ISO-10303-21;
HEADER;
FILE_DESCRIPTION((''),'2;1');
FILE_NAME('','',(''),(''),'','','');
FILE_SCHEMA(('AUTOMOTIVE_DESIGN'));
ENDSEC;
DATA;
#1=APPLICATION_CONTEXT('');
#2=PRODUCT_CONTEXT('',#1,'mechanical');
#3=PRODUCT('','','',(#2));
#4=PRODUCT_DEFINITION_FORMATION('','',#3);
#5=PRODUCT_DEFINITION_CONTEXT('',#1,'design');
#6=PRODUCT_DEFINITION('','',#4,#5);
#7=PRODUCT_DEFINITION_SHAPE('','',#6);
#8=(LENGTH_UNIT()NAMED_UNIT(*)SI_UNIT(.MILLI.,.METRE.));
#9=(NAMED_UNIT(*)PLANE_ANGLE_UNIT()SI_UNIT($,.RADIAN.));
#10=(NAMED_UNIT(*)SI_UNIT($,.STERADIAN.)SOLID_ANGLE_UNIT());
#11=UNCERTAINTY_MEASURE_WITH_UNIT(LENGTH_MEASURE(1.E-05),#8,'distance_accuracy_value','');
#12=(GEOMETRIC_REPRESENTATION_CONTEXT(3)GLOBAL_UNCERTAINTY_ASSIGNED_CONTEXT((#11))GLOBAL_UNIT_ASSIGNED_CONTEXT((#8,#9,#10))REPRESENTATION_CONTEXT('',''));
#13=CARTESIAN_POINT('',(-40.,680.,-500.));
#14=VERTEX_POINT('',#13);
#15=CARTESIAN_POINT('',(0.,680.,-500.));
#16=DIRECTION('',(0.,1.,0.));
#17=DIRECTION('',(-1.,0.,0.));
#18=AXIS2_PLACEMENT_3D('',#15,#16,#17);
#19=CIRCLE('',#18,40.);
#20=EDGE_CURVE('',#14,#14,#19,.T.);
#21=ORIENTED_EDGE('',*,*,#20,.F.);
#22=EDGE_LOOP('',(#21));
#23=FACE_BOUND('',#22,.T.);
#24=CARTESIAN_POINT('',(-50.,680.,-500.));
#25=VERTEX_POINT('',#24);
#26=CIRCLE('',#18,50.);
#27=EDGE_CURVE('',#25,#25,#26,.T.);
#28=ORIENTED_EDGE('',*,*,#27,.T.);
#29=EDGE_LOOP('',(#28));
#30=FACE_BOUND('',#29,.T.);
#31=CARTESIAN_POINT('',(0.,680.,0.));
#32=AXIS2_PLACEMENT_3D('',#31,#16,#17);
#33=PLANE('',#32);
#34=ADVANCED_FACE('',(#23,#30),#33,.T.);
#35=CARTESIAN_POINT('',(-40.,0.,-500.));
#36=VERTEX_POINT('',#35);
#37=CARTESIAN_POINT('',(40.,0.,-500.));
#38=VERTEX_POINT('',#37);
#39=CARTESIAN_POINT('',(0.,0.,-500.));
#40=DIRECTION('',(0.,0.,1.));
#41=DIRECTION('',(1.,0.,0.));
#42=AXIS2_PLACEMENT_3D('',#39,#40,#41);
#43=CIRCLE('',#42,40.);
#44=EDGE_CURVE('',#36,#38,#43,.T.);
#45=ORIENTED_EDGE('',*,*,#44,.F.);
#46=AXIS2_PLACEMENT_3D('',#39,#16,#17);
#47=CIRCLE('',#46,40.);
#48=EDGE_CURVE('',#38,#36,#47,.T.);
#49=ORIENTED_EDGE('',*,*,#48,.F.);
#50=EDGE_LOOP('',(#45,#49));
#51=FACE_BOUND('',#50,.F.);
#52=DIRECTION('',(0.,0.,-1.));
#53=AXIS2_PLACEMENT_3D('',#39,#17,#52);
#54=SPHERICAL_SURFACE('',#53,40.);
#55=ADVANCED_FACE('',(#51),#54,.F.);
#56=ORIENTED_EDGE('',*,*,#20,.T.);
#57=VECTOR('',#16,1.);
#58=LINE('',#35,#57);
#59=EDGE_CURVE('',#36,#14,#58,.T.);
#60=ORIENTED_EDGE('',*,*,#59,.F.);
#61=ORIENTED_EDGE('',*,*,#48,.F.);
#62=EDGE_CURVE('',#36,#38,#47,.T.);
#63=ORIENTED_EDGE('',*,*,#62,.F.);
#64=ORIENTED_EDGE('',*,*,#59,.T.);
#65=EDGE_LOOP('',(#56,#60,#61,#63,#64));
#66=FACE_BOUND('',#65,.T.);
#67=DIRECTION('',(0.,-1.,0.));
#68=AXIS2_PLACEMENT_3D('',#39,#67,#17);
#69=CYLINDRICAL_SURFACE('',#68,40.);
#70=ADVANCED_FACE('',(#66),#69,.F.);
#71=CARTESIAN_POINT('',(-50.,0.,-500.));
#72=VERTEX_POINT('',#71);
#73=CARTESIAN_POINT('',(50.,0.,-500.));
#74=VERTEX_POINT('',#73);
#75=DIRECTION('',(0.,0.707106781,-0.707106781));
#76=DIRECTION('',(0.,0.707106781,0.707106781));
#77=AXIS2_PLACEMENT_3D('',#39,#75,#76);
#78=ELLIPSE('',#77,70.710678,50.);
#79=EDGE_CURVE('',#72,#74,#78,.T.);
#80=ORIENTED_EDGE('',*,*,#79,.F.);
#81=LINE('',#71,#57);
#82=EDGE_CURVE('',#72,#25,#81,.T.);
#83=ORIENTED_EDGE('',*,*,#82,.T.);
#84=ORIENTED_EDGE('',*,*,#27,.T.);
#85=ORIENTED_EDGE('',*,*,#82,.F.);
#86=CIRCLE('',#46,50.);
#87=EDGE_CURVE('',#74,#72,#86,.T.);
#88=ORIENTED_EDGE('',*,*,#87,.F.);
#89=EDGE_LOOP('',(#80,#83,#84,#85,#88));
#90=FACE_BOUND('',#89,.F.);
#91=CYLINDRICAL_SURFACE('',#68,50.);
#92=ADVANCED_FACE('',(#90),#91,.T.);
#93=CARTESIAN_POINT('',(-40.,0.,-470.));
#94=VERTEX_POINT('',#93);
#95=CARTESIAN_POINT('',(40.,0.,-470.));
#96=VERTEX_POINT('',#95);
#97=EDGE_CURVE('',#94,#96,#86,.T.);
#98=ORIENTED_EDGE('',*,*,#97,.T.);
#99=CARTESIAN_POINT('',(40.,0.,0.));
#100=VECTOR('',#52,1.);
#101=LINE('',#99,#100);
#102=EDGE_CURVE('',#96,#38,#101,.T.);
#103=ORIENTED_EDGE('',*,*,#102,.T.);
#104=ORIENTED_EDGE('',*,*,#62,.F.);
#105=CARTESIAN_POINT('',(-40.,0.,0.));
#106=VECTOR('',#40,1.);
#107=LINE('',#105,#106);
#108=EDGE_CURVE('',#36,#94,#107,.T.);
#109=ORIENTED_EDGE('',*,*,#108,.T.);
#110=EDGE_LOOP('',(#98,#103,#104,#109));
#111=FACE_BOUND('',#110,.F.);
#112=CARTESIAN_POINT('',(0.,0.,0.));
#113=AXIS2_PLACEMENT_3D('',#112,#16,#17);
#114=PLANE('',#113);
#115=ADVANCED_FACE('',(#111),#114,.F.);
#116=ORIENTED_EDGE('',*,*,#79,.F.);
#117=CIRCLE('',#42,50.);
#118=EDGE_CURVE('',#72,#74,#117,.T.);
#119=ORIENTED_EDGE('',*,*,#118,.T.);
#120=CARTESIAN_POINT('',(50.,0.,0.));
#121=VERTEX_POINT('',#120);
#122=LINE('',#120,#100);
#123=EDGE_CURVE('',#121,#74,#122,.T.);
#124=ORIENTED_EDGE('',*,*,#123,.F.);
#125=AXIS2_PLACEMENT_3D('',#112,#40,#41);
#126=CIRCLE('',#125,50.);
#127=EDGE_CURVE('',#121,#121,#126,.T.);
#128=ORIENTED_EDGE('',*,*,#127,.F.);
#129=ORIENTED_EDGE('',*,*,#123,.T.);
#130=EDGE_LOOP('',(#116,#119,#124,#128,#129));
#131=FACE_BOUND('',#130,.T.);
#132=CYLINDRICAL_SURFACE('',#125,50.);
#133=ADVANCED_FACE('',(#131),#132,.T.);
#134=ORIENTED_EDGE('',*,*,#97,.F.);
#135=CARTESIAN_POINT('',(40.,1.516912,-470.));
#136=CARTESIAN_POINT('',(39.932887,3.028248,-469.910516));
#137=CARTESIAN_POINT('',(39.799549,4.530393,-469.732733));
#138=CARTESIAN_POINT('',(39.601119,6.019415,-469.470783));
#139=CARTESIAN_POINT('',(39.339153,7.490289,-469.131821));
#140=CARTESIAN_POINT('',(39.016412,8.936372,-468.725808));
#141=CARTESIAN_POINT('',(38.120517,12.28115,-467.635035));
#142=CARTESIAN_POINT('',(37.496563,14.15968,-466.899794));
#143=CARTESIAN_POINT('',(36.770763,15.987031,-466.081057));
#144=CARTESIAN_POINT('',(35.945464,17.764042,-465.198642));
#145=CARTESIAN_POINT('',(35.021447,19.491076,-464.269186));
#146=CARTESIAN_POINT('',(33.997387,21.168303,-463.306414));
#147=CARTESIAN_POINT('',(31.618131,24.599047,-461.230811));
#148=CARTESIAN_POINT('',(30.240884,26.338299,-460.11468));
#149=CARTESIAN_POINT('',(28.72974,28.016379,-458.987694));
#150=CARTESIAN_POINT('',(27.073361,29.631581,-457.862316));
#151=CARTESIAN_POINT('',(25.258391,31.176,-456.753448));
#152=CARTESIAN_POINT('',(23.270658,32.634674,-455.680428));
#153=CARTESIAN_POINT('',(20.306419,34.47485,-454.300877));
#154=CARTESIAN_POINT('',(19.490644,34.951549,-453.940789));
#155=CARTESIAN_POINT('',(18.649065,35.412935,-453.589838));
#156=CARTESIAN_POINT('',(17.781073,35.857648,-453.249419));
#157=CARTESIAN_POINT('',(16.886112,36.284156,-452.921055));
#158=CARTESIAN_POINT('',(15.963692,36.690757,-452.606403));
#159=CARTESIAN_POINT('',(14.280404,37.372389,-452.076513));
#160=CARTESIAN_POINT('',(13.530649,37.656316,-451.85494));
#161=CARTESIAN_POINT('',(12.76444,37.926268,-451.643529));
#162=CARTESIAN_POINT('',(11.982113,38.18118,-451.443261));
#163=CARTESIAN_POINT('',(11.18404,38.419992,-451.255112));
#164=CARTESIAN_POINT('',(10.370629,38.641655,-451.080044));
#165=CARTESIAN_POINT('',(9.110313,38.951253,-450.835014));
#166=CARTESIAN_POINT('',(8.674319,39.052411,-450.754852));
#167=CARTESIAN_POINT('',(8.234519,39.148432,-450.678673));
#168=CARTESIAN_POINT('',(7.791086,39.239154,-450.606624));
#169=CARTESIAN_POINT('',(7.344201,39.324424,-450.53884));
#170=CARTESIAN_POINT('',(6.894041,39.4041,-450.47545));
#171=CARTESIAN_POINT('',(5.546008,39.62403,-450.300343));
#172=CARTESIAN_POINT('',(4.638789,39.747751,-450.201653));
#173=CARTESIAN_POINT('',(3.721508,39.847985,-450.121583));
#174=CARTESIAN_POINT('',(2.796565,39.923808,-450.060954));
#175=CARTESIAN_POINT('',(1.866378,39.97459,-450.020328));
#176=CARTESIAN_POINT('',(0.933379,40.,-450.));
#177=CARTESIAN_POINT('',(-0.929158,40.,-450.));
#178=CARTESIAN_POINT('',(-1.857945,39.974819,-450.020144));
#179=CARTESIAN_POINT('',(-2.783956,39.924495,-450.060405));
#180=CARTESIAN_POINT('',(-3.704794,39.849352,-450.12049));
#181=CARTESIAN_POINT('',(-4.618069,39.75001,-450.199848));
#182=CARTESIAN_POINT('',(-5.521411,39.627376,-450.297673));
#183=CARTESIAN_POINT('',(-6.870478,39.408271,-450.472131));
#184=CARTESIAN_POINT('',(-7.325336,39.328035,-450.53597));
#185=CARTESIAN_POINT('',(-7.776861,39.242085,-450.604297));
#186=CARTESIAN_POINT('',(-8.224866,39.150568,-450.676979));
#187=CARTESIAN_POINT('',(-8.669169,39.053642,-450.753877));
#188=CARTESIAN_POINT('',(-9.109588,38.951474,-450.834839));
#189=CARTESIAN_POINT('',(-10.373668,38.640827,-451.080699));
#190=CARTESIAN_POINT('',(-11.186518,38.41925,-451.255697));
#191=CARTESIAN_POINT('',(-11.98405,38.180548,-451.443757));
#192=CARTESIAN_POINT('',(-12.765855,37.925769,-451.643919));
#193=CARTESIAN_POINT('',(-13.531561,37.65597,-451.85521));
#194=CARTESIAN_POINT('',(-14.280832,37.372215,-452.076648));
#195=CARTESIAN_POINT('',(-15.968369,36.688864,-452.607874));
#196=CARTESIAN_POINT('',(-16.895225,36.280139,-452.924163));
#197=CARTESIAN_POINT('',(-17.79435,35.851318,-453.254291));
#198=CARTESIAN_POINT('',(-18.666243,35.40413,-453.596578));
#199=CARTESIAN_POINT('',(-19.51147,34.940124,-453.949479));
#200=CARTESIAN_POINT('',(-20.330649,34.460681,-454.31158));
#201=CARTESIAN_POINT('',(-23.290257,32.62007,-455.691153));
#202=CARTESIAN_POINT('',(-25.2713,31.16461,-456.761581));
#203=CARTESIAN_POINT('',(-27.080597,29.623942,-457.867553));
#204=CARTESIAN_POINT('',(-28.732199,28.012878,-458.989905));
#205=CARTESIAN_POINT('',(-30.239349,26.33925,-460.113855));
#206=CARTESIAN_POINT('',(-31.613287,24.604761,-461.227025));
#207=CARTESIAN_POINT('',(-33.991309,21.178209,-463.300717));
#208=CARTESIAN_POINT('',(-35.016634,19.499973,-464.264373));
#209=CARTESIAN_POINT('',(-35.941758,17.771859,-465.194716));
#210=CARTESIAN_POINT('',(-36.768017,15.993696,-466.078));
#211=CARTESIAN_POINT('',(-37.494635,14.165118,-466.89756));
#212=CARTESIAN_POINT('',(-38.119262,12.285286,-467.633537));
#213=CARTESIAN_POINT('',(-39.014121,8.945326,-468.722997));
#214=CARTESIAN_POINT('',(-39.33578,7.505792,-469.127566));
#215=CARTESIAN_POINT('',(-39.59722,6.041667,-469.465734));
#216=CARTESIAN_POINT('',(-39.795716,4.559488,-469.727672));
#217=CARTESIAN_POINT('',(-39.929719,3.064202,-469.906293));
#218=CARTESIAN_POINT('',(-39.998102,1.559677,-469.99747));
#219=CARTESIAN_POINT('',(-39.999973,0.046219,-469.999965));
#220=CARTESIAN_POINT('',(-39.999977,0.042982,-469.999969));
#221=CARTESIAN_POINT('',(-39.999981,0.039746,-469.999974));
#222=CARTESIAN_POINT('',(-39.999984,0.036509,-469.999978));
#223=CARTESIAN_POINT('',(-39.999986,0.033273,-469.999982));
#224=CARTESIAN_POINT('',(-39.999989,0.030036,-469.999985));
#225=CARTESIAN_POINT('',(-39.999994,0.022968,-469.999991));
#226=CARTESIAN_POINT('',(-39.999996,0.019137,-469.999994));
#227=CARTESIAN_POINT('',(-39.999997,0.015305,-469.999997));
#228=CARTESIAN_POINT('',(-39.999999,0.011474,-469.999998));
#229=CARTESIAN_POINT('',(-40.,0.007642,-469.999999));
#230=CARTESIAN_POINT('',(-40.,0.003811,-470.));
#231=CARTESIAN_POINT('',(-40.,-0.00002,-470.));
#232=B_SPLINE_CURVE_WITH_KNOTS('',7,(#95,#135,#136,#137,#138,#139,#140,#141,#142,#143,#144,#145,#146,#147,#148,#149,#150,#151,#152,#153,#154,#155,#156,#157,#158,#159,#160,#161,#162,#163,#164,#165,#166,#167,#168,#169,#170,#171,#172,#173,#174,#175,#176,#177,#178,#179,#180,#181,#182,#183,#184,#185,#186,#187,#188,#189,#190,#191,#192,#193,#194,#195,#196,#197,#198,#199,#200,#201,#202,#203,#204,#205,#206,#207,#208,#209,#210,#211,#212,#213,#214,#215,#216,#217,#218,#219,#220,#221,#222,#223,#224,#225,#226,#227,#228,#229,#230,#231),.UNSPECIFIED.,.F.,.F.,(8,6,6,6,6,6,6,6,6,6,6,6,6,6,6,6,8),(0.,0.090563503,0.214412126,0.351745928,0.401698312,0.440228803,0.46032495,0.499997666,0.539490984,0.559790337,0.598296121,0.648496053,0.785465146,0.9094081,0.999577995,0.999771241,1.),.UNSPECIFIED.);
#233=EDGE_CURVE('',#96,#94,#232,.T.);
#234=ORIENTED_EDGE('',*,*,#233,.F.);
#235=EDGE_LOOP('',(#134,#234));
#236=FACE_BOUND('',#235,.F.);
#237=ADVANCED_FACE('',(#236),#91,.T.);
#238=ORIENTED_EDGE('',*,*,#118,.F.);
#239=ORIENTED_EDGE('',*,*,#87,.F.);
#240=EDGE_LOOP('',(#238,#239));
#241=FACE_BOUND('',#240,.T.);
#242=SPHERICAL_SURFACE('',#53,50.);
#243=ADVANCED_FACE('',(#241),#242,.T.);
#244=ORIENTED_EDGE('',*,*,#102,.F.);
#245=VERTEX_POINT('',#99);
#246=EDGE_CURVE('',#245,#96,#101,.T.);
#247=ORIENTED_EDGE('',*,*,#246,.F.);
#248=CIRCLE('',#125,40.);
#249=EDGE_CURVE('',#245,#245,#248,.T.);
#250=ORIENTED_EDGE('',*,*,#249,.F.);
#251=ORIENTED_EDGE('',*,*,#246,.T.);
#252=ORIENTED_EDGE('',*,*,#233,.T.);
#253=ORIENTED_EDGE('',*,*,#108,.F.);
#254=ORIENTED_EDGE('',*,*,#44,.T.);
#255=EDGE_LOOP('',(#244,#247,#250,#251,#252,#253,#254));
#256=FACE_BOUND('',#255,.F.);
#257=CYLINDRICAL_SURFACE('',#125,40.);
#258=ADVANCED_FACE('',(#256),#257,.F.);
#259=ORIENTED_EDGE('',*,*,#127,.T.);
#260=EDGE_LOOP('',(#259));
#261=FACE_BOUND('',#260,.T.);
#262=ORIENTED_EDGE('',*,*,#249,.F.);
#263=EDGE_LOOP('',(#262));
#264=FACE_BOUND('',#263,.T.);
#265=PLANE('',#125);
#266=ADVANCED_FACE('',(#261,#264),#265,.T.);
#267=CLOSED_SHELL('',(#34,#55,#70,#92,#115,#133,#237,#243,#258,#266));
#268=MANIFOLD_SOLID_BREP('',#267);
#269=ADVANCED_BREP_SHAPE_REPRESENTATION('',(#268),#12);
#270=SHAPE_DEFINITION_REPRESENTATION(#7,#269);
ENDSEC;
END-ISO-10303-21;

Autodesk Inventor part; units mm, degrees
ref_plane "YZ Plane" through (0, 0, 0) normal (1, 0, 0) x (0, 1, 0)
ref_plane "XY Plane" through (0, 0, 0) normal (0, 0, 1) x (1, 0, 0)
sketch "Sketch1" plane through (0, 0, 0) normal (0, 0, 1) x (1, 0, 0)
  circle A0 centre (0, 0) radius 50
  circle A1 centre (0, 0) radius 40
  dimension "d0" = 100
  dimension "d1" = 80
extrude "Extrusion1" add sketch "Sketch1" against normal blind 500
ref_plane "Work Plane1" through (0, 0, -500) normal (0, 0, -1) x (-1, 0, 0)
sketch "Sketch2" plane through (0, 0, -500) normal (0, 0, -1) x (-1, 0, 0)
  circle A0 centre (0, 0) radius 50 projected
  circle A1 centre (0, 0) radius 40 projected
  line L0 (0, 0) -> (0, 50)
sketch "Sketch3" plane through (0, 0, 0) normal (0, 1, 0) x (-1, 0, 0)
  point P0 (0, 0)
sketch "Sketch4" plane through (0, 0, 0) normal (0, 1, 0) x (-1, 0, 0)
  line L0 (70, -500) -> (-70, -500) projected
  line L1 (-50, -500) -> (50, -500) projected
  circle A0 centre (0, -500) radius 40
  circle A1 centre (0, -500) radius 50
  point P0 (0, 0)
  point P1 (40, -500)
  point P2 (-40, -500)
  dimension "d5" = 80
  dimension "d6" = 100
sketch "Sketch6" plane through (0, 0, 0) normal (0, 1, 0) x (-1, 0, 0)
  point P0 (0, 0)
sketch "Sketch7" plane through (0, 0, 0) normal (0, 1, 0) x (-1, 0, 0)
  line L0 (-40, -500) -> (-40, -500) projected
  circle A0 centre (0, -500) radius 40
  line L1 (-50, -500) -> (-50, -500) projected
  circle A1 centre (0, -500) radius 50
  point P0 (0, 0)
  point P1 (50, -400)
  point P2 (40, -400)
ref_plane "Work Plane4" through (50, 0, -500) normal (0, 0.7071, -0.7071) x (-1, 0, 0)
split "Split2" plane through (50, 0, -500) removes the side toward (0, 0.7071, -0.7071)
extrude "Extrusion3" add sketch "Sketch7" along normal blind 680
revolve "Revolution2" add sketch "Sketch4" angle 90 about axis through (0, 0, -500) along (-1, 0, 0) picked at (-46.3464, -503.2515) contours A1 L0 A0
ref_plane "Work Plane5" through (0, 680, -500) normal (0, 1, 0) x (1, 0, 0)
properties part number "Z3" material "Steel, Alloy"
